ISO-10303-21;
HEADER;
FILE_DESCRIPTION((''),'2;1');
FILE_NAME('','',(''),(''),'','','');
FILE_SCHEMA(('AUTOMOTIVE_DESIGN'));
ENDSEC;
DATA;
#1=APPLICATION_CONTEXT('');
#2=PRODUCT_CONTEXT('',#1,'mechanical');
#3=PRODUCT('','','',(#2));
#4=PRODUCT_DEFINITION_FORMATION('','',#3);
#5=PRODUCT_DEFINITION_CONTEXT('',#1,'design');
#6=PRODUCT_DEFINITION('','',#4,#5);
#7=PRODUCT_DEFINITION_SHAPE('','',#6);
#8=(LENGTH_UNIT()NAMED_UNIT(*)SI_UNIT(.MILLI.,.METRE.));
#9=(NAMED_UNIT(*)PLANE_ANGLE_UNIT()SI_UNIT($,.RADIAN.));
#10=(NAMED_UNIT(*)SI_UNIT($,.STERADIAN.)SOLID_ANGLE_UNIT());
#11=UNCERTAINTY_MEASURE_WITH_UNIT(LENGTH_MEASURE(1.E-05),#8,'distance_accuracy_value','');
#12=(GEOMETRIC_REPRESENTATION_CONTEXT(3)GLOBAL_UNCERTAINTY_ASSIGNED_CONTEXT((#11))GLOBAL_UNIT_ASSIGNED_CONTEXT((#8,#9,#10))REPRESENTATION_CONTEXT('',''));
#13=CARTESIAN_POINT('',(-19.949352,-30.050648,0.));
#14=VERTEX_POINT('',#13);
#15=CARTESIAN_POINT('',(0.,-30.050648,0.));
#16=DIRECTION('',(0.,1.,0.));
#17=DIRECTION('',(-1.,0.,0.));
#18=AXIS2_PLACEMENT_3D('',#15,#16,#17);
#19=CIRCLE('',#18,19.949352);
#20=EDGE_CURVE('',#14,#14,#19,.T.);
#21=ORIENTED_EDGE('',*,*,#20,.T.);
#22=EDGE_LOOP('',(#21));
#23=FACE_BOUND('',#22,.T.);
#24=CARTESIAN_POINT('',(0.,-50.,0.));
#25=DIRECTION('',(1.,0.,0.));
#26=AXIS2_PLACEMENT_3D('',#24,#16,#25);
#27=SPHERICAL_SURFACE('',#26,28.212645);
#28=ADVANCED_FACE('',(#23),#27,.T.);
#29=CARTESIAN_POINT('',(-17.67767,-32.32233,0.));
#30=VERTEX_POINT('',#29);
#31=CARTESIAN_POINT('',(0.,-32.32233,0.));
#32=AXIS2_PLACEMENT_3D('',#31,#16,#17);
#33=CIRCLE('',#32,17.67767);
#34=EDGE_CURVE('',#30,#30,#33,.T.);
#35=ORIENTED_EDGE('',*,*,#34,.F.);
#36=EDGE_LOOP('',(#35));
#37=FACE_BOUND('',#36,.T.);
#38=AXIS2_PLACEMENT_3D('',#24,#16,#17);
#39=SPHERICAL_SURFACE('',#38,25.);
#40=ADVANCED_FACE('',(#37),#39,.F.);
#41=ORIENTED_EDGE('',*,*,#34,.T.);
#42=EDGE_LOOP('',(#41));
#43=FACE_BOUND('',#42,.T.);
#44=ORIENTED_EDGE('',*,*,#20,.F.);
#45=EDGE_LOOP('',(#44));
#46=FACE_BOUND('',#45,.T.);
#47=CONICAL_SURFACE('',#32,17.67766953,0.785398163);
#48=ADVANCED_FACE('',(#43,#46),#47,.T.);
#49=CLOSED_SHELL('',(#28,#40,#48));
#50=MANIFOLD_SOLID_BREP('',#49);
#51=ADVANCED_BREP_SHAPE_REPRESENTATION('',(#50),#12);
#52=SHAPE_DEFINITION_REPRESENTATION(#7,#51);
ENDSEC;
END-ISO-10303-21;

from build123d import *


with BuildPart() as part:
    # Croquis1 → Revolución1 (revolve)
    with BuildSketch(Plane.XY, mode=Mode.PRIVATE) as revoluci_n1_sk:
        with BuildLine():
            Line((19.949352426, -30.050647574), (17.67766953, -32.32233047))
            ThreePointArc((17.67766953, -32.32233047), (9.567085809, -26.903011687), (0, -25))
            Line((0, -25), (0, -21.787355239))
            ThreePointArc((0, -21.787355239), (10.796511733, -23.934914947), (19.949352426, -30.050647574))
        make_face()
    revolve(revoluci_n1_sk.sketch.rotate(Axis((0, -25, 0), (0, -1, 0)), 180), axis=Axis((0, -25, 0), (0, -1, 0)))


solid = part.part
